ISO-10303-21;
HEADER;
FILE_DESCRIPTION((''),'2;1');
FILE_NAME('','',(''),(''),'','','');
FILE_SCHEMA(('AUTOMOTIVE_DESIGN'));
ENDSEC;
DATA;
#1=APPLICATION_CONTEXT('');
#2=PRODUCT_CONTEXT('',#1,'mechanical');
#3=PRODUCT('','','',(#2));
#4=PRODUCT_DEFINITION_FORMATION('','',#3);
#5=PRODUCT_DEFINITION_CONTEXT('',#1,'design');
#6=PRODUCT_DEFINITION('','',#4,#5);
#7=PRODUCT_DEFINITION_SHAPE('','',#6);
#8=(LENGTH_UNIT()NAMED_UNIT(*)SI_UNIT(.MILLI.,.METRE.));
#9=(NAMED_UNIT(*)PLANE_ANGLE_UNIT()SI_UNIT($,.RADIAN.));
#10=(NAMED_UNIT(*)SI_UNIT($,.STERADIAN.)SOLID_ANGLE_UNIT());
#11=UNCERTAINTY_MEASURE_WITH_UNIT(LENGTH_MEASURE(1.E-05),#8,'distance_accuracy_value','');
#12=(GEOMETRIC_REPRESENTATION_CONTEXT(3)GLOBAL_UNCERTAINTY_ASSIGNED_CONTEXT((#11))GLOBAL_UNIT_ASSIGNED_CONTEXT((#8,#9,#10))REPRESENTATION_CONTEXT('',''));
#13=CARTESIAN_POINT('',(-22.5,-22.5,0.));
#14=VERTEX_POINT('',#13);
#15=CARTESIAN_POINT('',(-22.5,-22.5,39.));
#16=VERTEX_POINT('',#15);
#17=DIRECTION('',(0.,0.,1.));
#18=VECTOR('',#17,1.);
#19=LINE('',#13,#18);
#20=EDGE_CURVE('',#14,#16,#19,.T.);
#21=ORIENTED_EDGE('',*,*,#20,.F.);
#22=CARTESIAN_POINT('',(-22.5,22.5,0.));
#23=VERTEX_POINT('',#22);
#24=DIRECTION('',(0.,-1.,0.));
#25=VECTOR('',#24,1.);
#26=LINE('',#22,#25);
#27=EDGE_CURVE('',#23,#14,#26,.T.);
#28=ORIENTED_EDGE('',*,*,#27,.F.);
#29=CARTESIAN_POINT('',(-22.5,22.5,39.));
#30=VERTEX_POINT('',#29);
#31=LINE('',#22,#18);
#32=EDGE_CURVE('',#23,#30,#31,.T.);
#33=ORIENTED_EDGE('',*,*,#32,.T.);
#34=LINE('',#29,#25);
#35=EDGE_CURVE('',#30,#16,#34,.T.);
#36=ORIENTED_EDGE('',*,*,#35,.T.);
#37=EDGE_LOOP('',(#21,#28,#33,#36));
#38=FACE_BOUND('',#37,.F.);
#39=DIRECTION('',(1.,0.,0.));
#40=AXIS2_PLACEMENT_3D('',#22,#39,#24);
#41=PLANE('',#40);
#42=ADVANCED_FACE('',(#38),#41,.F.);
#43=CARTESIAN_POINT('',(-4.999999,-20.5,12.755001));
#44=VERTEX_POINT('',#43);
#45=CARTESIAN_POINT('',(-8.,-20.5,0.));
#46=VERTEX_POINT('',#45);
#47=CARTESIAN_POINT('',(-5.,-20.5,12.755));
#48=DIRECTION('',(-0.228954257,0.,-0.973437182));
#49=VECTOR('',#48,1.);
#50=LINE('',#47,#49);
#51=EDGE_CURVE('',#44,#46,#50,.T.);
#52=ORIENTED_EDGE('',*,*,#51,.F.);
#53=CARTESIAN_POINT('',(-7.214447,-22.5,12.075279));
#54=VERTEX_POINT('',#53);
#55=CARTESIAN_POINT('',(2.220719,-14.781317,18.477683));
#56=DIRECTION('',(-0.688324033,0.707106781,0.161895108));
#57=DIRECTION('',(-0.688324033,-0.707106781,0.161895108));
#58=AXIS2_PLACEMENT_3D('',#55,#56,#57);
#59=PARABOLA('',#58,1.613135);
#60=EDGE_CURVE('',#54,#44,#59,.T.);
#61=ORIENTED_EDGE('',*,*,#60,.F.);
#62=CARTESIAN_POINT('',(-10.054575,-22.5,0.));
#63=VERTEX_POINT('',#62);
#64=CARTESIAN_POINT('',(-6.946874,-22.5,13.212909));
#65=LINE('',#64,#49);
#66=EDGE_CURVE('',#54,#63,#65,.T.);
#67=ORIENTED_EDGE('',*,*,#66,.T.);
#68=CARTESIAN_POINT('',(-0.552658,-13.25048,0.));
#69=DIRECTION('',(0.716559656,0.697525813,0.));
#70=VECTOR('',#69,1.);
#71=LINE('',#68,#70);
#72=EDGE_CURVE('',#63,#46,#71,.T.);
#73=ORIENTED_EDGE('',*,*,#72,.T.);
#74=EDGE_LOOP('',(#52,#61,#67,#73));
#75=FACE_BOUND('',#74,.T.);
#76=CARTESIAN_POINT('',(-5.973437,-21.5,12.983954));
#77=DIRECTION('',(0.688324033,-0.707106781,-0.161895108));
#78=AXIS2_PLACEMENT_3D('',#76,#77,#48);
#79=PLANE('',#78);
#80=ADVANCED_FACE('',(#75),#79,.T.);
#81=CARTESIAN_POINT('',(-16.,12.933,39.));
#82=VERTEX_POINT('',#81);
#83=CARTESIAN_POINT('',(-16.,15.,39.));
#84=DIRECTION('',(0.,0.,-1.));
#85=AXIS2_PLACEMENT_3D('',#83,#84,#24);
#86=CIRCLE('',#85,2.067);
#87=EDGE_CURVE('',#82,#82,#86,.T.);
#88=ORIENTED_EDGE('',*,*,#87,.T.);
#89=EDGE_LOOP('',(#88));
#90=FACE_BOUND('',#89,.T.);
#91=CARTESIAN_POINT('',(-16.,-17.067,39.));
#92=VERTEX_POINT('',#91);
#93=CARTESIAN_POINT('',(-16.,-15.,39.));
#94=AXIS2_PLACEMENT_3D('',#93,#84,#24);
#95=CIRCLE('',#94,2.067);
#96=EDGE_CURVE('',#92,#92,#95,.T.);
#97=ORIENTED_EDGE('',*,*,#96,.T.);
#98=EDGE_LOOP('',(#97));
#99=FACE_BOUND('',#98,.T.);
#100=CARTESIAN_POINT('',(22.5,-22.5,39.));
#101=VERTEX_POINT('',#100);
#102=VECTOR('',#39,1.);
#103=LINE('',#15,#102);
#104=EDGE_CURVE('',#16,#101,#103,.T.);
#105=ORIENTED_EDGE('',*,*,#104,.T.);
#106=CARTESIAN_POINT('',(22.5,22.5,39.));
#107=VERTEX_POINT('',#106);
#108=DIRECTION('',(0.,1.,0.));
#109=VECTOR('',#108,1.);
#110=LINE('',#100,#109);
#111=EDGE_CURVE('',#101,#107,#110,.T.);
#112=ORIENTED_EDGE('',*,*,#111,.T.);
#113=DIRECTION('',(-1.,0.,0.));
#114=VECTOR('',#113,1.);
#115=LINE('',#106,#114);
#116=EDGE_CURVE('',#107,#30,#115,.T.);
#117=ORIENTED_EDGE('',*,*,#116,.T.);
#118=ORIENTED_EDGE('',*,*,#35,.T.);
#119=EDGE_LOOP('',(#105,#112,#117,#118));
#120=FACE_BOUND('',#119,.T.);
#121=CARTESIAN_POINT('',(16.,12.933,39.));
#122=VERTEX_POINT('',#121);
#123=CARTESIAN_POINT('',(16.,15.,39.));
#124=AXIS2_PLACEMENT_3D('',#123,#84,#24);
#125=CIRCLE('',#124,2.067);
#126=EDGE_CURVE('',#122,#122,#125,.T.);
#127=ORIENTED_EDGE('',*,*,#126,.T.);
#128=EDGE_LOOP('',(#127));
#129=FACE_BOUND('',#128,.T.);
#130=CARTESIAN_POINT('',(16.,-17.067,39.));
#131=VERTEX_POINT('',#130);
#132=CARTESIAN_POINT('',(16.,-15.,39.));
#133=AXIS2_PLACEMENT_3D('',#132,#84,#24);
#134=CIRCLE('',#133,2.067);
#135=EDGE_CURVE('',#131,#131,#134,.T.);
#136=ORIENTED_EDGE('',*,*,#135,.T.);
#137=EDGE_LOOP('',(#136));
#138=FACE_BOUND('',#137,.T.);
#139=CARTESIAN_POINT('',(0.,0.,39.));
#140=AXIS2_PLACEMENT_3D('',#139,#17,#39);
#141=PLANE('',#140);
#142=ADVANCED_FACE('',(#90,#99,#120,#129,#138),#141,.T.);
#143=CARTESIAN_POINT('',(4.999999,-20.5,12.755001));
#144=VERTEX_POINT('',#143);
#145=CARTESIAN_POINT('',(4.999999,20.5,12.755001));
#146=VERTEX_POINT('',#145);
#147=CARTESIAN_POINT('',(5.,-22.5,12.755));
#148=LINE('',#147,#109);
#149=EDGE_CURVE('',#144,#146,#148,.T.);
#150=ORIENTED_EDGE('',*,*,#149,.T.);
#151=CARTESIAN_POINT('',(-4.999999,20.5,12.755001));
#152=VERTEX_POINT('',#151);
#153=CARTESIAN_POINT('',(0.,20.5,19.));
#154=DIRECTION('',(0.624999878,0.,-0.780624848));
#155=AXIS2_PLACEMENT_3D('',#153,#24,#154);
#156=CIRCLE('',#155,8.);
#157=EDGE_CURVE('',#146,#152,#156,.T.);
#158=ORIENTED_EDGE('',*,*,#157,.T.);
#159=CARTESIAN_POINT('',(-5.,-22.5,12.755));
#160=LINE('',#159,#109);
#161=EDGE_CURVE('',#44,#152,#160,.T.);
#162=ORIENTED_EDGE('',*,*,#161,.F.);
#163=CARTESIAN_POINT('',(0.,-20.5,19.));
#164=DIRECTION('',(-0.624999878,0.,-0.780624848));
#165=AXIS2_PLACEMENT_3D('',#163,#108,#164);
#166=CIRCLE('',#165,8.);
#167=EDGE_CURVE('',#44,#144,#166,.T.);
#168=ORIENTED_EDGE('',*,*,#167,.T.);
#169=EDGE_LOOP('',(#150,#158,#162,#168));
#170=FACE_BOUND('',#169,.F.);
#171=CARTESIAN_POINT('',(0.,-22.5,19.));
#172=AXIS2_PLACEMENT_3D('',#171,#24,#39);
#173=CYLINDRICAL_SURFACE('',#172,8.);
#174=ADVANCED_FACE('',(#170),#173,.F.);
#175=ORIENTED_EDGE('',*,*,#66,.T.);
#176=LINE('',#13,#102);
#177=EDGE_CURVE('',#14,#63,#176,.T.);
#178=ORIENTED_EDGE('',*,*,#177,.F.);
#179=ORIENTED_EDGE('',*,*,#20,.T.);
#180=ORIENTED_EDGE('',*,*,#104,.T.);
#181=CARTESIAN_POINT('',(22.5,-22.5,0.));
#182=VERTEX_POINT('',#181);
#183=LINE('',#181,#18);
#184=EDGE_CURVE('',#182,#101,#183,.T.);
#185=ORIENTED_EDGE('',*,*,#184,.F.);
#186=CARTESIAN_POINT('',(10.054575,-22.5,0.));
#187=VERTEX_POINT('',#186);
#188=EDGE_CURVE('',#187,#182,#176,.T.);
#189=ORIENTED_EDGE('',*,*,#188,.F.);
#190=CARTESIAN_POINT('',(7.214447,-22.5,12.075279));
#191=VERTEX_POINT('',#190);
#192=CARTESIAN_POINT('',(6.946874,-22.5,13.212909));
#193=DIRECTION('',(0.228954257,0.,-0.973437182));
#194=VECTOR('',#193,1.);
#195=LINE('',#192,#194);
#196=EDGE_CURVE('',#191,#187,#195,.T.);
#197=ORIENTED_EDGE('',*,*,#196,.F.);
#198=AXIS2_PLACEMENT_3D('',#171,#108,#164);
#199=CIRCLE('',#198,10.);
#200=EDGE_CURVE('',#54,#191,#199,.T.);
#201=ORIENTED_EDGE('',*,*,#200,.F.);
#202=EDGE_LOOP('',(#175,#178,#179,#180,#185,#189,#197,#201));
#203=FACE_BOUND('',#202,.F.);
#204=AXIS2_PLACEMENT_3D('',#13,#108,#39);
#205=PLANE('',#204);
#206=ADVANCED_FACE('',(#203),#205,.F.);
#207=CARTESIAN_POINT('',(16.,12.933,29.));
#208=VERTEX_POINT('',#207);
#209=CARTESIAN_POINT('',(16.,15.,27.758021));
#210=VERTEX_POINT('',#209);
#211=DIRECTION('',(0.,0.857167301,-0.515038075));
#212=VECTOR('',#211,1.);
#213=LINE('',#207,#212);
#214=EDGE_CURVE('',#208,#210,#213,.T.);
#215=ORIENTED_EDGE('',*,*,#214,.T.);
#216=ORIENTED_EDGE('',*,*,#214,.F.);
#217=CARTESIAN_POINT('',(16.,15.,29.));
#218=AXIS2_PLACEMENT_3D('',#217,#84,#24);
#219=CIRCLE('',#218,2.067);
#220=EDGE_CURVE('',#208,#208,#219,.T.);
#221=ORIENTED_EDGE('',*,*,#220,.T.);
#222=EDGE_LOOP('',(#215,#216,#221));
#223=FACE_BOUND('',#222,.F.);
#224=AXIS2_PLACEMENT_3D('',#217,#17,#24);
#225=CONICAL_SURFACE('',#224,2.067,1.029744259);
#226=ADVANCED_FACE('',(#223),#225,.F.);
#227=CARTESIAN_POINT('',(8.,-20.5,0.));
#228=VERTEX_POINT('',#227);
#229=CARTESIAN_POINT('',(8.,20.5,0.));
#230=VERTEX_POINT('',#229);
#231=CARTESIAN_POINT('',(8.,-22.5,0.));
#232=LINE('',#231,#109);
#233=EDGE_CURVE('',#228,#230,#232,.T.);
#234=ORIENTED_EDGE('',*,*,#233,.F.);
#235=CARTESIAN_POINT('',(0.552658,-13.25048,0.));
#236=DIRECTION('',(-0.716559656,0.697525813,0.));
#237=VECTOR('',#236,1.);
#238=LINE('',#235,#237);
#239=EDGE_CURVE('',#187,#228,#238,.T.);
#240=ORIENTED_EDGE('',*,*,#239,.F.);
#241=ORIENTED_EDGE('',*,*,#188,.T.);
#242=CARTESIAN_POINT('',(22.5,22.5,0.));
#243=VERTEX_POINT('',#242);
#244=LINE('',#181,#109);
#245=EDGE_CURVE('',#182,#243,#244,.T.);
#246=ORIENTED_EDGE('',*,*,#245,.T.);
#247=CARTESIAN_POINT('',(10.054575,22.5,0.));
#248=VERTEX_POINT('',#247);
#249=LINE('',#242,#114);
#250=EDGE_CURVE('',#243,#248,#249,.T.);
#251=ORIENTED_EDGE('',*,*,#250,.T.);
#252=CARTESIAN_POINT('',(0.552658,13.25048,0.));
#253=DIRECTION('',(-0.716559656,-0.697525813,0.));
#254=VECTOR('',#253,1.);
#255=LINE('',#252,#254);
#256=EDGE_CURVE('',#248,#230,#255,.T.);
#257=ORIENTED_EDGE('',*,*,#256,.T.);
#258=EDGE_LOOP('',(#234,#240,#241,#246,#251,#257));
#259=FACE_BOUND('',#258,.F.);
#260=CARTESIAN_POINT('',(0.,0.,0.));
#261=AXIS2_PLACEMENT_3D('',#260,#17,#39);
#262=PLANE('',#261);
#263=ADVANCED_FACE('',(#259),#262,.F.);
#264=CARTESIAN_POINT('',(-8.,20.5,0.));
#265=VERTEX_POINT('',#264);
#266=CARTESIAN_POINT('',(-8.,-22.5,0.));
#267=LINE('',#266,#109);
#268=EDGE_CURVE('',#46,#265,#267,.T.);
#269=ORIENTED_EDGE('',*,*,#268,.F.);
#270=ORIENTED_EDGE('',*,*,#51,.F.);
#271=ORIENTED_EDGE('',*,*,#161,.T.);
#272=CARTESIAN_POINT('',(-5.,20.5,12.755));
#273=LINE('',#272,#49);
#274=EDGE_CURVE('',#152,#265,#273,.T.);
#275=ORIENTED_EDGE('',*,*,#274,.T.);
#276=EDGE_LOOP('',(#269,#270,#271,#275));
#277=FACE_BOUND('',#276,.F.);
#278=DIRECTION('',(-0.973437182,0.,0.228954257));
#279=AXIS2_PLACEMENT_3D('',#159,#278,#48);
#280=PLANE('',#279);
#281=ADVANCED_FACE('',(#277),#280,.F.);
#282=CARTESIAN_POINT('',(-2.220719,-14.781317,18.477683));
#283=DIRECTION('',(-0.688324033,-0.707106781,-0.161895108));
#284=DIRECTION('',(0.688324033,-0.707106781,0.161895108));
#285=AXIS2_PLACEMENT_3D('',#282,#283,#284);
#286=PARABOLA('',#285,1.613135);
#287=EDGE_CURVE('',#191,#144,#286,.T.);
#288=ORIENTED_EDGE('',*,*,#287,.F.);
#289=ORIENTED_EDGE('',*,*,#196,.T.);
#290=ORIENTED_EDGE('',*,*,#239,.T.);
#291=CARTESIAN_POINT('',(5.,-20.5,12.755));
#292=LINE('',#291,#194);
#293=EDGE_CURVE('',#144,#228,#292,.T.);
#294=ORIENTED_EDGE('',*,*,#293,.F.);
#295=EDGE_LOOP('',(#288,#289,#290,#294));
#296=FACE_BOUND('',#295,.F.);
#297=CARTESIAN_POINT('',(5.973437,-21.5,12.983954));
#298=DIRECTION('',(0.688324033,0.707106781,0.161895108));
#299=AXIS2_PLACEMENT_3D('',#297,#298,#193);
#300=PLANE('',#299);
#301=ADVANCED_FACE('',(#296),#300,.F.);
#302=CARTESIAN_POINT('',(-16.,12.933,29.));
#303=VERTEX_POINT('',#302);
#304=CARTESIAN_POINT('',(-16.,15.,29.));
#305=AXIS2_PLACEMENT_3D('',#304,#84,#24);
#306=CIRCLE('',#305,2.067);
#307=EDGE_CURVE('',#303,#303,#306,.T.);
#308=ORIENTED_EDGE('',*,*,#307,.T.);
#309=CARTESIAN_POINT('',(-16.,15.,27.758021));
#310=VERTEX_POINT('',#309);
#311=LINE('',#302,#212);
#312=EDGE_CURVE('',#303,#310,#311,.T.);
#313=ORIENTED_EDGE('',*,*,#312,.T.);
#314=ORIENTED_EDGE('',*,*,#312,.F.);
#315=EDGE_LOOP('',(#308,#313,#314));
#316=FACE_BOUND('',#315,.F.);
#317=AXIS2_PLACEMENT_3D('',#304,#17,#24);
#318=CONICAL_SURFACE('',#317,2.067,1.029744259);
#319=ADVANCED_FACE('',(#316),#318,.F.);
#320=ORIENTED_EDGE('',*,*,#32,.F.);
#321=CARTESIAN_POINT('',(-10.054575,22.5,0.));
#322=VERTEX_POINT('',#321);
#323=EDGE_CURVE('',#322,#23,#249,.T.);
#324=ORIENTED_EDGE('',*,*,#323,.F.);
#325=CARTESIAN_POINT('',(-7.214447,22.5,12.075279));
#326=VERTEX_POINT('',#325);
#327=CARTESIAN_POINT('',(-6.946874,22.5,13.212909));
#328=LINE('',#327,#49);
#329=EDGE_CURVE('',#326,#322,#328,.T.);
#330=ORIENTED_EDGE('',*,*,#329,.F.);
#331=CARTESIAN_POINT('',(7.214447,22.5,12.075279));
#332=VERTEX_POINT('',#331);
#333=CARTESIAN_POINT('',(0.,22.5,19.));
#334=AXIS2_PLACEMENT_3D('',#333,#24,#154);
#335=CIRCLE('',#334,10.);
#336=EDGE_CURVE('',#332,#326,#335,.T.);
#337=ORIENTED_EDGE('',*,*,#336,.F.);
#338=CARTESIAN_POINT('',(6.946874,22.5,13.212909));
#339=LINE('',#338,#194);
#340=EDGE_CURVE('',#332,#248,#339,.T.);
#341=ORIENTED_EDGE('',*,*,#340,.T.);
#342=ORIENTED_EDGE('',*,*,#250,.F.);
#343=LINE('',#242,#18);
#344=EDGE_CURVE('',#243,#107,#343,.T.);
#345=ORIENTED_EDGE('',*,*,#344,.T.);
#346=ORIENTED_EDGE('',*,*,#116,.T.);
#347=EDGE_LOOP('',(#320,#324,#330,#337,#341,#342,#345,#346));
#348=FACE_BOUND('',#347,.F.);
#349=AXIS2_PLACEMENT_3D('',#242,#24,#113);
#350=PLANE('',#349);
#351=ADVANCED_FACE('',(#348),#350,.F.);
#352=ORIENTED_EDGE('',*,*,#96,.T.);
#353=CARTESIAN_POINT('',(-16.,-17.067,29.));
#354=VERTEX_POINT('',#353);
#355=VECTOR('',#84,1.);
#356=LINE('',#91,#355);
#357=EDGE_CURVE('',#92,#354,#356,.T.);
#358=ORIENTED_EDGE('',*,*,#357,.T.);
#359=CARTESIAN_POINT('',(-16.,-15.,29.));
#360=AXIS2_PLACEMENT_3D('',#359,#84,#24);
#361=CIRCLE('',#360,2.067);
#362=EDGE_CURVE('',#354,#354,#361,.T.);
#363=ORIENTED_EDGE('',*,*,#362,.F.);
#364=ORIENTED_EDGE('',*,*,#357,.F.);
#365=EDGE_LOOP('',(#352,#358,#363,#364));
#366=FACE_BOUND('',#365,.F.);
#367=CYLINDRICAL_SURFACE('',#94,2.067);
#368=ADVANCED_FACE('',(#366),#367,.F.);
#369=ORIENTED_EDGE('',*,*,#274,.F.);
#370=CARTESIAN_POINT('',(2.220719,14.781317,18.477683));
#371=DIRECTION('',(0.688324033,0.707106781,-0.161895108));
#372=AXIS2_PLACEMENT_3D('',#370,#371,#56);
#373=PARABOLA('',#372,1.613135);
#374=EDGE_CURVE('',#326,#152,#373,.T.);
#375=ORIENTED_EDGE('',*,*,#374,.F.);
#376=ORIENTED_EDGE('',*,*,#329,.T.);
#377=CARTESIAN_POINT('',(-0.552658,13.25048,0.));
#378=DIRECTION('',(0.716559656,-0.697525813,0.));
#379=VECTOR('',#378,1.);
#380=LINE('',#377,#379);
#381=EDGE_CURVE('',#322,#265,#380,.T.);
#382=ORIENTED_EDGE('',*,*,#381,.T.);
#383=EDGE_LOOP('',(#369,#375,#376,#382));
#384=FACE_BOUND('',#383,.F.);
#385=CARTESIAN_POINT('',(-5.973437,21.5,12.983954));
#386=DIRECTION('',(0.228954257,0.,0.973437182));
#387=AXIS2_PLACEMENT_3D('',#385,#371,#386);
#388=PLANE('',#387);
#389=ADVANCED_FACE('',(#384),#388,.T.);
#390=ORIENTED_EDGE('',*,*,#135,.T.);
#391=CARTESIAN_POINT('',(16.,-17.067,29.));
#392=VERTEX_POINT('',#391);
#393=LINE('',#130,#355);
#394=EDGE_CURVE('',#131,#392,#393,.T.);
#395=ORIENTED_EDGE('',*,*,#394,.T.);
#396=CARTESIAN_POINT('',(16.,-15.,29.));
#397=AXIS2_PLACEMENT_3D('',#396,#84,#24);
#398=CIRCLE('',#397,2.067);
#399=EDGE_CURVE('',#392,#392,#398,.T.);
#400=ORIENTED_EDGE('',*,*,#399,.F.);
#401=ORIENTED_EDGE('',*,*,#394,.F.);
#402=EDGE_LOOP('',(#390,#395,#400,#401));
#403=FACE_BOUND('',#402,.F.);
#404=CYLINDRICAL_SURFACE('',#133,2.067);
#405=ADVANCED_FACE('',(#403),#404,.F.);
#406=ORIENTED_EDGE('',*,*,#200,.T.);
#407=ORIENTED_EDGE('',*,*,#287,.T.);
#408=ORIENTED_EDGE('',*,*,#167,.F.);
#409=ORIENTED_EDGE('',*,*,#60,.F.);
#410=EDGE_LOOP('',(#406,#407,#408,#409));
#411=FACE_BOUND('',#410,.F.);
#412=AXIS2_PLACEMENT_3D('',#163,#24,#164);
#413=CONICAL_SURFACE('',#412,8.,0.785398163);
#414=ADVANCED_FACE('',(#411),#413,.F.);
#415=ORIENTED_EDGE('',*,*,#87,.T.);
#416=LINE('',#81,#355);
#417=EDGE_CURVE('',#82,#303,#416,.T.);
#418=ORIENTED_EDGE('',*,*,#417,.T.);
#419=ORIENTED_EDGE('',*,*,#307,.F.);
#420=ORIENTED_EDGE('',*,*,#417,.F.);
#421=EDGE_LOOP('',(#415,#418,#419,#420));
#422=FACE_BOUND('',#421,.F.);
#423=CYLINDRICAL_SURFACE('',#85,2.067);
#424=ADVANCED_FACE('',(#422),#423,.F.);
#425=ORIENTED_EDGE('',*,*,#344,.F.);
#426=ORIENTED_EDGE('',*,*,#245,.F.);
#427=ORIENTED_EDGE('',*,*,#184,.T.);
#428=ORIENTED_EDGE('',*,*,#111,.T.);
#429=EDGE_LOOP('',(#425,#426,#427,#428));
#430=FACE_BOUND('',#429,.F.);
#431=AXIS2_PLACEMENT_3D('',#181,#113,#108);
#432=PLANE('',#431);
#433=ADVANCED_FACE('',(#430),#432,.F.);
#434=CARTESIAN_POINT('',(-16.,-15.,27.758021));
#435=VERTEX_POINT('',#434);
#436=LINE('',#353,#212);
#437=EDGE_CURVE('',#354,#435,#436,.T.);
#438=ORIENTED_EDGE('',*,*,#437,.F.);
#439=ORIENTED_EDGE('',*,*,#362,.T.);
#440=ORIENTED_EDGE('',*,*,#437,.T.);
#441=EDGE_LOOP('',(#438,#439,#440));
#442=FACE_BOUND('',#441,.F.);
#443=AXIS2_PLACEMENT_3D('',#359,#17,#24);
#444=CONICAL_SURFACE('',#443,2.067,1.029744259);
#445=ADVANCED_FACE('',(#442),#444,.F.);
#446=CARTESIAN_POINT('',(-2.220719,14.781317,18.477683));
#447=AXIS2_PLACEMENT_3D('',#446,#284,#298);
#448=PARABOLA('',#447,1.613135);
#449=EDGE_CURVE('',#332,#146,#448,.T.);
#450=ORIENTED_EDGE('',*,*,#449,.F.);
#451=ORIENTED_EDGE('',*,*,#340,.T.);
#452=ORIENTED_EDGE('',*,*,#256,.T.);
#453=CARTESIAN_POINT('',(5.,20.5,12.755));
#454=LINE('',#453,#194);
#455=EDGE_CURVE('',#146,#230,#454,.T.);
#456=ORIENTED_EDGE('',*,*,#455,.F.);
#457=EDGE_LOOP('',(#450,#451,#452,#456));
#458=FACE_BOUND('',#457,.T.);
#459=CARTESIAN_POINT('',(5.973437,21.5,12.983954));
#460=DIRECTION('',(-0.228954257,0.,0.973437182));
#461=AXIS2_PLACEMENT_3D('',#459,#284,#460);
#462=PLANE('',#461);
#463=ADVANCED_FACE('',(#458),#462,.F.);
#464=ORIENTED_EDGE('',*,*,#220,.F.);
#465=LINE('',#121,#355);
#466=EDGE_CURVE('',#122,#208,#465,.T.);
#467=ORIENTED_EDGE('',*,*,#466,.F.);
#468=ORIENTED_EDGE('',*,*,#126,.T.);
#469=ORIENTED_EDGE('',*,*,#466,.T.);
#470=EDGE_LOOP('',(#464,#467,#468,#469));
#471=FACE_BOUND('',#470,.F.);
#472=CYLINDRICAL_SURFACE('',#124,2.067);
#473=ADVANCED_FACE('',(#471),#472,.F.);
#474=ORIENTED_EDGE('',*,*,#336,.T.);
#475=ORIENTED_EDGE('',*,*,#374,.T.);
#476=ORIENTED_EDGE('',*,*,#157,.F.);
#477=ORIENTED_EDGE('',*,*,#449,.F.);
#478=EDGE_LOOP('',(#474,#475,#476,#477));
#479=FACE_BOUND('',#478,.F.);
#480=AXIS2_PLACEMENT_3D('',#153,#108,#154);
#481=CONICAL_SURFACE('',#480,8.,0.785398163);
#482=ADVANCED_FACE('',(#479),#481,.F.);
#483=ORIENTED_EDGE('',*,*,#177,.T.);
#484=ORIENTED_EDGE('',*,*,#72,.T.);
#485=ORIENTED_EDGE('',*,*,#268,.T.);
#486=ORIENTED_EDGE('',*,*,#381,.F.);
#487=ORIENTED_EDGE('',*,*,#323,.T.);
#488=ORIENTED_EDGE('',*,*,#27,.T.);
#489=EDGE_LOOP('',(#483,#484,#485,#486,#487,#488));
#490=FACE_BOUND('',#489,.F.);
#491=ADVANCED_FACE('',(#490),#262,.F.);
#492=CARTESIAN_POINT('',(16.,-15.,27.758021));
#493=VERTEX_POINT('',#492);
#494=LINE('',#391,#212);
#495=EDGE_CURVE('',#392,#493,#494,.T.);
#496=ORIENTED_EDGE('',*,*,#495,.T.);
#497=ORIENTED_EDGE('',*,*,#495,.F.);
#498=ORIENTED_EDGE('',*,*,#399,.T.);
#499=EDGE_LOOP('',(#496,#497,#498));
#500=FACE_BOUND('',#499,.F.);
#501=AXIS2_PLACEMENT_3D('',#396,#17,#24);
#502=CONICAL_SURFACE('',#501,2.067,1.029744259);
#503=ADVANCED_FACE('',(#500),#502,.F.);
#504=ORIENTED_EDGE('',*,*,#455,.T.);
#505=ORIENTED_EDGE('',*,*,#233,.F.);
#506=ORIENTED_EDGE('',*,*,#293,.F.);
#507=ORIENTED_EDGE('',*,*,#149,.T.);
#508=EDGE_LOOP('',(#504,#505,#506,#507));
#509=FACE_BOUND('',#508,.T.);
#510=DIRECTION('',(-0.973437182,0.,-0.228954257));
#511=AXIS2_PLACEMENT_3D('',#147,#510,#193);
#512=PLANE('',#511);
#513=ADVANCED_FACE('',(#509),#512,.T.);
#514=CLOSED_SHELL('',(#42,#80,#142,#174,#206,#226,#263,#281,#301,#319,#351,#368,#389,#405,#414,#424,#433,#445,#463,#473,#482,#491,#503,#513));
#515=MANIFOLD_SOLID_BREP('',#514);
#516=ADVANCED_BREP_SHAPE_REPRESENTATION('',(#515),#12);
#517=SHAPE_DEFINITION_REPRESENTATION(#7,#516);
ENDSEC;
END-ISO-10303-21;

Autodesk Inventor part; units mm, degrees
ref_plane "YZ Plane" through (0, 0, 0) normal (1, 0, 0) x (0, 1, 0)
ref_plane "XZ Plane" through (0, 0, 0) normal (0, 1, 0) x (-1, 0, 0)
ref_plane "XY Plane" through (0, 0, 0) normal (0, 0, 1) x (1, 0, 0)
sketch "Skizze1" plane through (0, 0, 0) normal (0, 0, 1) x (1, 0, 0)
  line L0 (-22.5, -22.5) -> (22.5, -22.5)
  line L1 (22.5, -22.5) -> (22.5, 22.5)
  line L2 (22.5, 22.5) -> (-22.5, 22.5)
  line L3 (-22.5, 22.5) -> (-22.5, -22.5)
  line L4 (-22.5, -22.5) -> (22.5, 22.5) construction
  line L5 (22.5, -22.5) -> (-22.5, 22.5) construction
  point P0 (0, 0)
  dimension "d0" = 45
  dimension "d1" = 45
extrude "Extrusion1" add sketch "Skizze1" along normal blind 39
sketch "Skizze2" plane through (-22.5, -22.5, 0) normal (0, -1, 0) x (1, 0, 0)
  line L0 (0, 0) -> (45, 0) projected
  line L1 (45, 0) -> (45, 39) projected
  line L2 (0, 39) -> (45, 39) projected
  line L3 (0, 0) -> (0, 39) projected
  circle A0 centre (22.5, 19) radius 8
  line L4 (22.5, 0) -> (22.5, 39)
  line L5 (22.5, 19) -> (22.5, -6)
  line L6 (17.5, 12.755) -> (14.5, 0)
  line L7 (27.5, 12.755) -> (30.5, 0)
  dimension "d4" = 16
  dimension "d5" = 25
  dimension "d6" = 45
  dimension "d7" = 10
  dimension "d8" = 16
extrude "Extrusion2" cut sketch "Skizze2" against normal through all contours L6 A0 L4 L0 | L4 A0 L7 L0 | A0 L4 | L4 A0
chamfer "Fase1" distance 2 angle 45 6 edges at (0, -22.5, 27) (-6.5, -22.5, 6.3775) (6.5, -22.5, 6.3775) (0, 22.5, 27) (-6.5, 22.5, 6.3775) (6.5, 22.5, 6.3775)
ref_plane "Arbeitsebene1" through (-22.5, 0, 39) normal (0, 1, 0) x (1, 0, 0)
sketch "Skizze3" plane through (0, 0, 39) normal (0, 0, 1) x (1, 0, 0)
  line L0 (-22.5, -22.5) -> (22.5, -22.5) projected
  line L1 (22.5, -22.5) -> (22.5, 22.5) projected
  line L2 (22.5, 22.5) -> (-22.5, 22.5) projected
  line L3 (-22.5, 22.5) -> (-22.5, -22.5) projected
  line L4 (16, -15) -> (-16, -15) construction
  line L5 (-16, -15) -> (-16, 15) construction
  line L6 (-16, 15) -> (16, 15) construction
  line L7 (16, 15) -> (16, -15) construction
  line L8 (16, -15) -> (-16, 15) construction
  line L9 (-16, -15) -> (16, 15) construction
  point P0 (0, 0)
  dimension "d14" = 32
  dimension "d15" = 30
hole "Bohrung1" at (-16, -15, 39) at (16, -15, 39) at (-16, 15, 39) at (16, 15, 39) direction (0, 0, -1) diameter 4.134 depth 10 tip angle 118 thread size "M5x0.8" class "6H" standard "ANSI Metric M Profile"
properties part number "Linearwagen_20_kurz" material "Aluminium 6061"
